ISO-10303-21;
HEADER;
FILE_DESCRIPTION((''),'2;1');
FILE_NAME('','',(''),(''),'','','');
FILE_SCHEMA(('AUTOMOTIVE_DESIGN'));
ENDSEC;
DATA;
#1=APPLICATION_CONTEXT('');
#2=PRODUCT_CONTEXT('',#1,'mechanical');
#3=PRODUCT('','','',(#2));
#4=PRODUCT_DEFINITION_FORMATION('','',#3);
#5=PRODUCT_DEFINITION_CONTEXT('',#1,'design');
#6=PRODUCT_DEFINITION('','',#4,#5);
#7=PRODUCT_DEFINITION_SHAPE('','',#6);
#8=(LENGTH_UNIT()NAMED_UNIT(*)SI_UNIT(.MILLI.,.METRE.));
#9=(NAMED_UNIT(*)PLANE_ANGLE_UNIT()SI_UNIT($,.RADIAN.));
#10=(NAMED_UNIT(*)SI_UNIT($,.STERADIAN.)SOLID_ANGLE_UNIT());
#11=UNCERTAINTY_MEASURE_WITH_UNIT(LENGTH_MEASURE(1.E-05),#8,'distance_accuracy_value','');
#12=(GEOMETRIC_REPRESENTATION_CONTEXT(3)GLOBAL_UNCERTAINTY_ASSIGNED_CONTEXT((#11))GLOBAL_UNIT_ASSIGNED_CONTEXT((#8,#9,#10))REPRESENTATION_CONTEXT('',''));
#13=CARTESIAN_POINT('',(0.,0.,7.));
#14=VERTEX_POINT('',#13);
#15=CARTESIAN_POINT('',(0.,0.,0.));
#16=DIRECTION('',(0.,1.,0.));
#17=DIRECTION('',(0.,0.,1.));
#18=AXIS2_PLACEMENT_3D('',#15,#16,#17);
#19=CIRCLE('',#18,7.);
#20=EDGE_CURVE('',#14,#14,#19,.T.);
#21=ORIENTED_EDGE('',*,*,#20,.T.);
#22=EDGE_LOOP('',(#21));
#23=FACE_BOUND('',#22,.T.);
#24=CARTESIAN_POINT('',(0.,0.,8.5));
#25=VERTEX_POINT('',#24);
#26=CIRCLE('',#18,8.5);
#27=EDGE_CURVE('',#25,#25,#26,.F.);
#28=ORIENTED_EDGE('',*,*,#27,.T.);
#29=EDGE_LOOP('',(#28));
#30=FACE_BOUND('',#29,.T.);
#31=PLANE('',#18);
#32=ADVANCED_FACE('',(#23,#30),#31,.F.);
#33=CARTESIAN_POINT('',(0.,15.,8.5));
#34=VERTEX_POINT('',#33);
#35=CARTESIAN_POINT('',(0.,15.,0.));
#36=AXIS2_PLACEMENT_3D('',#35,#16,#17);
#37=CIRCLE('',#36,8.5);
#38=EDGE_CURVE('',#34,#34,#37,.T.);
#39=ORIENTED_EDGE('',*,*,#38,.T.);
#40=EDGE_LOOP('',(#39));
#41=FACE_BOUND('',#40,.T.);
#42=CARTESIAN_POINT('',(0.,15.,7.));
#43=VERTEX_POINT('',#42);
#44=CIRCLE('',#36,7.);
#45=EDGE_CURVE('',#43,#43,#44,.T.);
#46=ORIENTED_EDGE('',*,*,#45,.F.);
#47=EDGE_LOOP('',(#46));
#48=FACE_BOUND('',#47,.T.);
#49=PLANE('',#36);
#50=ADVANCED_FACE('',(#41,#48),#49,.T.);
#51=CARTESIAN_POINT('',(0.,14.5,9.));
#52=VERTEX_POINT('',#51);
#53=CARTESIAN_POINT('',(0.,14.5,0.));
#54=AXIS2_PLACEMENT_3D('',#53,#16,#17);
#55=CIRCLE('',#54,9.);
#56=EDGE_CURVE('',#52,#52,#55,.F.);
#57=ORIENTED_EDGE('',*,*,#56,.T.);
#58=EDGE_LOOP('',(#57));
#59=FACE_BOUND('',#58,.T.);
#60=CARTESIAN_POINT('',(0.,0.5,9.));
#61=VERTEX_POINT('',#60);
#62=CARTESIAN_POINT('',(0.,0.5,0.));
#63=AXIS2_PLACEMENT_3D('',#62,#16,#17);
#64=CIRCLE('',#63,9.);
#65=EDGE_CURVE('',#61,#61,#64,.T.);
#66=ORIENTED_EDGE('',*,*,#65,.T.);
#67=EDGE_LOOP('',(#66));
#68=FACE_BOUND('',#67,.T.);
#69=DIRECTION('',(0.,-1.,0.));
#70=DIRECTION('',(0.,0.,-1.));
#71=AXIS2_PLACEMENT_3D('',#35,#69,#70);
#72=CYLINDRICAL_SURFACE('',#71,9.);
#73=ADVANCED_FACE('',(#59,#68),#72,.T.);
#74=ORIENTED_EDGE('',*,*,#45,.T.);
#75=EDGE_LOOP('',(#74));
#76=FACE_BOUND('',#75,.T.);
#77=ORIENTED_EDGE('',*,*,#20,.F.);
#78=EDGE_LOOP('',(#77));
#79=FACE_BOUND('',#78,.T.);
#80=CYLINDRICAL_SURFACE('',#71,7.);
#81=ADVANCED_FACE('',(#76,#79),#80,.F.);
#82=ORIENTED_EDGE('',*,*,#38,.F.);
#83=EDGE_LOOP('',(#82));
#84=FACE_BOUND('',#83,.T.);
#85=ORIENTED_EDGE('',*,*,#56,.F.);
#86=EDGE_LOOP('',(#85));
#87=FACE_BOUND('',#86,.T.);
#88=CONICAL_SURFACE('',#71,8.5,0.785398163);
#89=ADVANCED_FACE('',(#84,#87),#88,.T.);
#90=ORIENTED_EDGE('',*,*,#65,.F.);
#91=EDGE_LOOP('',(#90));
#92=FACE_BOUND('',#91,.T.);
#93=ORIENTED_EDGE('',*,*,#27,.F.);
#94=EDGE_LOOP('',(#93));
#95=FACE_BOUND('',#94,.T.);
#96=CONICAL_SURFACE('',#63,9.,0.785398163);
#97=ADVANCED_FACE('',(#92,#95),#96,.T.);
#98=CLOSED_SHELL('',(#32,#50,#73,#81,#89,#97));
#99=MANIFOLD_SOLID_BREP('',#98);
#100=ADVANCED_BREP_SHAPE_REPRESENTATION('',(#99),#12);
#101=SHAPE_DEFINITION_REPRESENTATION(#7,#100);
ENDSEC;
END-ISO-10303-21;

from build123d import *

# Parameters (mm, degrees)
SKETCH1_R           = 9
SKETCH1_R_2         = 7
BOSS_EXTRUDE1_DEPTH = 15
CHAMFER1_SIZE       = 0.5


with BuildPart() as part:
    # Sketch1 → Boss-Extrude1 (new body)
    with BuildSketch(Plane(origin=(0, 0, 0), x_dir=(1, 0, 0), z_dir=(0, 1, 0))):
        with Locations(Location((0, 0, 0), (0, 0, 270))):
            Circle(SKETCH1_R)
        with Locations(Location((0, 0, 0), (0, 0, 270))):
            Circle(SKETCH1_R_2, mode=Mode.SUBTRACT)
    extrude(amount=BOSS_EXTRUDE1_DEPTH)

    # Chamfer1
    chamfer1_edges = [part.edges().sort_by_distance(p)[0] for p in [
        (0, 0, -9),
        (0, 15, -9),
    ]]
    chamfer(chamfer1_edges, length=CHAMFER1_SIZE)


solid = part.part
